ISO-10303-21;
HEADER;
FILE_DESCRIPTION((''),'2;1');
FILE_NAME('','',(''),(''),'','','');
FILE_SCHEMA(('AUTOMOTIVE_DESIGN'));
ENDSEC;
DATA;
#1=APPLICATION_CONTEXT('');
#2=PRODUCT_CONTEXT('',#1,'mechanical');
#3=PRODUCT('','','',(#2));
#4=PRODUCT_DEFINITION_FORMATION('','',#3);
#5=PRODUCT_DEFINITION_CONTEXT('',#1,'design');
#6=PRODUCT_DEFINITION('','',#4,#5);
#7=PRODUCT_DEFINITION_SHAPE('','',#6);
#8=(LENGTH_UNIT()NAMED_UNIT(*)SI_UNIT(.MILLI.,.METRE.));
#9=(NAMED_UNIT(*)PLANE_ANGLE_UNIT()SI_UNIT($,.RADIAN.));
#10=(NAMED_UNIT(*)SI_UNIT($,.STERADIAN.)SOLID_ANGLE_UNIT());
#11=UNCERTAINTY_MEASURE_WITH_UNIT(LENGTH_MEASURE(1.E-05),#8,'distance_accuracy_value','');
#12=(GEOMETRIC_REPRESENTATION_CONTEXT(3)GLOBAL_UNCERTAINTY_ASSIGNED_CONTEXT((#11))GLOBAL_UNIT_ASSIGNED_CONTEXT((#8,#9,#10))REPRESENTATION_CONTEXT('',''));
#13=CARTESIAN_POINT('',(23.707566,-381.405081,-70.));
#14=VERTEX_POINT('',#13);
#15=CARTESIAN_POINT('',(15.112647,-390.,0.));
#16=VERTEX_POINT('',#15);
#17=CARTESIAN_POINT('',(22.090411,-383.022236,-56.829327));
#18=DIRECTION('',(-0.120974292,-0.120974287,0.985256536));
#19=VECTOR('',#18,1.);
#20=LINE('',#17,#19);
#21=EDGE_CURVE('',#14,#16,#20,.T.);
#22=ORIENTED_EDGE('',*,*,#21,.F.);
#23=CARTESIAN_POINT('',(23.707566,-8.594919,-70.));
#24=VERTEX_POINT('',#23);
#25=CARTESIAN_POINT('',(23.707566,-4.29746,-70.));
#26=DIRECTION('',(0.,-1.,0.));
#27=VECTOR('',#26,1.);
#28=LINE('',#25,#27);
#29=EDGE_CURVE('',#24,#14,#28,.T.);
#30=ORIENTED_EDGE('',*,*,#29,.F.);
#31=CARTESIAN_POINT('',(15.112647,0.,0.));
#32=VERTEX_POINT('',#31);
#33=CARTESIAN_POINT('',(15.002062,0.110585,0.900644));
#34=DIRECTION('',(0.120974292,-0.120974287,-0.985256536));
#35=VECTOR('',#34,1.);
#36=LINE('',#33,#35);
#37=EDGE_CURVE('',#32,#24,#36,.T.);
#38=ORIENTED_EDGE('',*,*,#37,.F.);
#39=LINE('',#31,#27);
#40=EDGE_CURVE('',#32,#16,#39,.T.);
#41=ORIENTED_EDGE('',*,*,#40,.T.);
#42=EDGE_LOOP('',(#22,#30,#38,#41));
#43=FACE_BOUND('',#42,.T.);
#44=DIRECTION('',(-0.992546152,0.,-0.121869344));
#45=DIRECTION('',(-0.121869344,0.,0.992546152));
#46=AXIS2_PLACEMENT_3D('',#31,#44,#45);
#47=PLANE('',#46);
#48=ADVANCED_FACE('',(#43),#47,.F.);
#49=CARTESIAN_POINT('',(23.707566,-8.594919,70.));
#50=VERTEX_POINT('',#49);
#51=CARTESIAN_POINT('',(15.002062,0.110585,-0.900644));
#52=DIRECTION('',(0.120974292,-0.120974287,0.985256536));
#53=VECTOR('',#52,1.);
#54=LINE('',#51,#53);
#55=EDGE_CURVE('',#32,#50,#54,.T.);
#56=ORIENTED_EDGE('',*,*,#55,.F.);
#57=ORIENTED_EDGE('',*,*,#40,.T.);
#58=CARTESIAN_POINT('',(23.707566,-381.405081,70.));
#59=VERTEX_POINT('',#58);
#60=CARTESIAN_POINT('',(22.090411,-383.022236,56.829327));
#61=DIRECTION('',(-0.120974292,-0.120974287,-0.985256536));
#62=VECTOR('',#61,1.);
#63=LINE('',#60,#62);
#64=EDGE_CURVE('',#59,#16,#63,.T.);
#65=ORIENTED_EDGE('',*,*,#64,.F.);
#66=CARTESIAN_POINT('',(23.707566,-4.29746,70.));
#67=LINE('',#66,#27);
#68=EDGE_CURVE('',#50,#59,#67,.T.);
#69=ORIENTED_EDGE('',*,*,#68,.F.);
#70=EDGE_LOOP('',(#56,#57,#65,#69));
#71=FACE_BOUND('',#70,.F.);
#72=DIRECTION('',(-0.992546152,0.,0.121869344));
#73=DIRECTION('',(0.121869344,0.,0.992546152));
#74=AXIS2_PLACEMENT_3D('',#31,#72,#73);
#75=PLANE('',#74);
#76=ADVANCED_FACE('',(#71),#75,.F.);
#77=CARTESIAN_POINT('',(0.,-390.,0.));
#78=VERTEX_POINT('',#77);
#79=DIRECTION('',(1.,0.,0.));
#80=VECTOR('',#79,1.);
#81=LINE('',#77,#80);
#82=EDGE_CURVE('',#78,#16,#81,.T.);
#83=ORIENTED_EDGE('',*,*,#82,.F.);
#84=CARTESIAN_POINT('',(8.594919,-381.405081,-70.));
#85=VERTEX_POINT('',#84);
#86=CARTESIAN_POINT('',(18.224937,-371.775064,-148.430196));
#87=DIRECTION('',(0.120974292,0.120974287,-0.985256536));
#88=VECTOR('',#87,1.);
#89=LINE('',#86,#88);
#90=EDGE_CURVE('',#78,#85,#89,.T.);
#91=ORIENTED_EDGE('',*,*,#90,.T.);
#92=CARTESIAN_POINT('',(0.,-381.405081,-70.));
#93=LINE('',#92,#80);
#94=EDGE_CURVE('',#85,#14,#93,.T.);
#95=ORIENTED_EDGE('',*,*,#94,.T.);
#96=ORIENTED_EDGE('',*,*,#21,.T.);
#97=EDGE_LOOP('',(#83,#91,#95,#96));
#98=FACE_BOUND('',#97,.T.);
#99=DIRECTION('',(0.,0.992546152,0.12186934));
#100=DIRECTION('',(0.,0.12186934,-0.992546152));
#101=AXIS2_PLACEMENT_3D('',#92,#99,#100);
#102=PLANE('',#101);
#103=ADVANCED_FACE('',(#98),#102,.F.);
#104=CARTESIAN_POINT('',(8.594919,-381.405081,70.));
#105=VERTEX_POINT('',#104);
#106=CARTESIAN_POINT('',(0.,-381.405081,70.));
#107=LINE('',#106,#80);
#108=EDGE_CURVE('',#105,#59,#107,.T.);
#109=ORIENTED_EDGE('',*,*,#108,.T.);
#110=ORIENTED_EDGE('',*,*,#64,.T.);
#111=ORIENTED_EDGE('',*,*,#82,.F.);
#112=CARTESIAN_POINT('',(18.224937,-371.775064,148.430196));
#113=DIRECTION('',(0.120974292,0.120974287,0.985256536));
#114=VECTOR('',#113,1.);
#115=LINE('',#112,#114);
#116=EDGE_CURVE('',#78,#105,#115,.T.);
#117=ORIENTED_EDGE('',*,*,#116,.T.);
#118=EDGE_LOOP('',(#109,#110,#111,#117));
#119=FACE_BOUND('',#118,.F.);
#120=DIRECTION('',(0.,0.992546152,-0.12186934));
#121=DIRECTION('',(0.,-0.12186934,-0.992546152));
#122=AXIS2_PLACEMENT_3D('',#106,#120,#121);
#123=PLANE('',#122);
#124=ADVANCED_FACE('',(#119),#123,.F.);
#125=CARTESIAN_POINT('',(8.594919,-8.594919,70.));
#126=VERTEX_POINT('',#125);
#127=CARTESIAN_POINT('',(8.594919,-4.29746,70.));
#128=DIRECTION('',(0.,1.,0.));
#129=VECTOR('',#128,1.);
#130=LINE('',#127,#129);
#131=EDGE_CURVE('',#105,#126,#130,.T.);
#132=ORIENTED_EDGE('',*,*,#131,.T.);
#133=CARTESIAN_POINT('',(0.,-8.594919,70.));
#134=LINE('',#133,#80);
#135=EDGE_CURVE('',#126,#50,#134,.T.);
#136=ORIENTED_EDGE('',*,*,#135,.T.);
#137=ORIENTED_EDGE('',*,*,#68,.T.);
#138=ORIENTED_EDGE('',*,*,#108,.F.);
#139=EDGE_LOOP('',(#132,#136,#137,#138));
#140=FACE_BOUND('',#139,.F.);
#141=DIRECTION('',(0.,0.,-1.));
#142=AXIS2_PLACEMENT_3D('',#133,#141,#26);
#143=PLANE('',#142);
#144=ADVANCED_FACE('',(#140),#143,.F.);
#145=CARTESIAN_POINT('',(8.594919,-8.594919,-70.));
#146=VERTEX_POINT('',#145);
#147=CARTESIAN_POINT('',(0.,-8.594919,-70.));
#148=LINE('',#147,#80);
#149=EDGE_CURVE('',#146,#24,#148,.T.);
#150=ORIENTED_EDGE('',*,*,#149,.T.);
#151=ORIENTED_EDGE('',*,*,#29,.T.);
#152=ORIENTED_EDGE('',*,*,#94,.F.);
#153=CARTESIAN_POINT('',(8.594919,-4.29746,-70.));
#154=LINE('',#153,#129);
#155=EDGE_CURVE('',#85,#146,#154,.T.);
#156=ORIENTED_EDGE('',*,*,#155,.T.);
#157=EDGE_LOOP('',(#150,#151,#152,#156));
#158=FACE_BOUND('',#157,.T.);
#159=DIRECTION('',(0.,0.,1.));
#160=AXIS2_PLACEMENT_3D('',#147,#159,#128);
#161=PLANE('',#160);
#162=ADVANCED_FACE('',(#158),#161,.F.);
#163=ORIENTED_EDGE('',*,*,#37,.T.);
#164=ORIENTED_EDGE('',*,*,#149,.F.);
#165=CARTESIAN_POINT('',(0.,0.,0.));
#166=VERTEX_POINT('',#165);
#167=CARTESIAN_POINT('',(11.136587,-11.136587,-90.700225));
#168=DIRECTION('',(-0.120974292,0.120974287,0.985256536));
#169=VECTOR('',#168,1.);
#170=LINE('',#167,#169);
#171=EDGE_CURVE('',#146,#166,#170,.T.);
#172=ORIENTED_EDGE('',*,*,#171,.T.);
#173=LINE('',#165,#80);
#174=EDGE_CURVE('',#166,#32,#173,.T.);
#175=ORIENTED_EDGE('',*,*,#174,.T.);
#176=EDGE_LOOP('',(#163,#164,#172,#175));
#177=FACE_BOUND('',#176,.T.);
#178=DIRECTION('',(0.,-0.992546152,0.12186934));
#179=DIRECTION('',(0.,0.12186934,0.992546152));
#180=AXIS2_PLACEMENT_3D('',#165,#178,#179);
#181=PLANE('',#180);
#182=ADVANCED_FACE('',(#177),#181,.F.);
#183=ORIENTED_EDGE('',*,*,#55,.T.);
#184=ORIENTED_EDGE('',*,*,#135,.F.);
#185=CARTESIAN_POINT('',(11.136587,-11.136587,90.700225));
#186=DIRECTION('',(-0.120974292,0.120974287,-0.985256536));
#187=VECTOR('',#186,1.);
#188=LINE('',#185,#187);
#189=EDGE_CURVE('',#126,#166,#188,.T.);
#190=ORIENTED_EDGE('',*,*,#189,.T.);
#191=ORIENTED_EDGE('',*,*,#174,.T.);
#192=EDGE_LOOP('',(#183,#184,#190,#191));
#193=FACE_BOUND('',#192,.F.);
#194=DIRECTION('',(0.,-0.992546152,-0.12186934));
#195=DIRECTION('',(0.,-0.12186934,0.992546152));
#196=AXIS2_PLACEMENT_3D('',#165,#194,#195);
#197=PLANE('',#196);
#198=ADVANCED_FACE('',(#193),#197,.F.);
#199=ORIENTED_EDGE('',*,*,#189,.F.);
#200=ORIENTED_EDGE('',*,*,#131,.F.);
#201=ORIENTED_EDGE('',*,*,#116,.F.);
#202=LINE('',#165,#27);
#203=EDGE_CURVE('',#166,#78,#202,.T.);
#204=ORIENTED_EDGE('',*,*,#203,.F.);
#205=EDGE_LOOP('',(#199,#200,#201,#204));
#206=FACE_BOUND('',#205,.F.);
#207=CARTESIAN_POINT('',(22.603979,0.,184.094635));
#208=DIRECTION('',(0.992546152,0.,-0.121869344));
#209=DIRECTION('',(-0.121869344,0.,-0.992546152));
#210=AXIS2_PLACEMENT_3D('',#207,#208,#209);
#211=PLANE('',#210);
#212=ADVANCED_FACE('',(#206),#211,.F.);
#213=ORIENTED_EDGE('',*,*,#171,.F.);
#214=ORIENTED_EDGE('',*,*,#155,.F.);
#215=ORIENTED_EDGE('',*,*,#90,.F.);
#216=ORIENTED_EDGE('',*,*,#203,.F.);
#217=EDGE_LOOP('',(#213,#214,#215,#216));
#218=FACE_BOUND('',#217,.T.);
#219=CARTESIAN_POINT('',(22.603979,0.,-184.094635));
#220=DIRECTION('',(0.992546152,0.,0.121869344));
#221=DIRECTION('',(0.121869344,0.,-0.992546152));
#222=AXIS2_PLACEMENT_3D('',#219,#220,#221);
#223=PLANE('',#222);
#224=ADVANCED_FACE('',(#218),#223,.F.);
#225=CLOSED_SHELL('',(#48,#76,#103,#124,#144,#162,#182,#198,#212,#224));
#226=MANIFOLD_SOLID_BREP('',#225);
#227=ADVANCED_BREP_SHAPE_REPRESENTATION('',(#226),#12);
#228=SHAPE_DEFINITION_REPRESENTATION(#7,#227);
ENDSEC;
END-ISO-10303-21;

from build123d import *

# Parameters (mm, degrees)
F1_DEPTH = 460
F3_DEPTH = 37.493171


with BuildPart() as f1:
    # F0 (on Front) → F1 (new body)
    with BuildSketch(Plane.XZ):
        Polygon((0, 0), (15.112647, 0), (37.492171, 182.266595), (22.603979, 184.094635), align=None)
    extrude(amount=F1_DEPTH)

    # F2 (on Right) → F3 (intersect, through all)
    with BuildSketch(Plane.YZ):
        Polygon((-390, 0), (0, 0), (-8.594919, 70), (-381.405081, 70), align=None)
    extrude(amount=F3_DEPTH, mode=Mode.INTERSECT)

    # F4: F1 across face


with BuildPart() as f1_1:
    add(f1.part)
    add(f1.part.mirror(Plane(origin=(7.556324, -195, 0), x_dir=(1, 0, 0), z_dir=(0, 0, -1))))


solid = f1_1.part
